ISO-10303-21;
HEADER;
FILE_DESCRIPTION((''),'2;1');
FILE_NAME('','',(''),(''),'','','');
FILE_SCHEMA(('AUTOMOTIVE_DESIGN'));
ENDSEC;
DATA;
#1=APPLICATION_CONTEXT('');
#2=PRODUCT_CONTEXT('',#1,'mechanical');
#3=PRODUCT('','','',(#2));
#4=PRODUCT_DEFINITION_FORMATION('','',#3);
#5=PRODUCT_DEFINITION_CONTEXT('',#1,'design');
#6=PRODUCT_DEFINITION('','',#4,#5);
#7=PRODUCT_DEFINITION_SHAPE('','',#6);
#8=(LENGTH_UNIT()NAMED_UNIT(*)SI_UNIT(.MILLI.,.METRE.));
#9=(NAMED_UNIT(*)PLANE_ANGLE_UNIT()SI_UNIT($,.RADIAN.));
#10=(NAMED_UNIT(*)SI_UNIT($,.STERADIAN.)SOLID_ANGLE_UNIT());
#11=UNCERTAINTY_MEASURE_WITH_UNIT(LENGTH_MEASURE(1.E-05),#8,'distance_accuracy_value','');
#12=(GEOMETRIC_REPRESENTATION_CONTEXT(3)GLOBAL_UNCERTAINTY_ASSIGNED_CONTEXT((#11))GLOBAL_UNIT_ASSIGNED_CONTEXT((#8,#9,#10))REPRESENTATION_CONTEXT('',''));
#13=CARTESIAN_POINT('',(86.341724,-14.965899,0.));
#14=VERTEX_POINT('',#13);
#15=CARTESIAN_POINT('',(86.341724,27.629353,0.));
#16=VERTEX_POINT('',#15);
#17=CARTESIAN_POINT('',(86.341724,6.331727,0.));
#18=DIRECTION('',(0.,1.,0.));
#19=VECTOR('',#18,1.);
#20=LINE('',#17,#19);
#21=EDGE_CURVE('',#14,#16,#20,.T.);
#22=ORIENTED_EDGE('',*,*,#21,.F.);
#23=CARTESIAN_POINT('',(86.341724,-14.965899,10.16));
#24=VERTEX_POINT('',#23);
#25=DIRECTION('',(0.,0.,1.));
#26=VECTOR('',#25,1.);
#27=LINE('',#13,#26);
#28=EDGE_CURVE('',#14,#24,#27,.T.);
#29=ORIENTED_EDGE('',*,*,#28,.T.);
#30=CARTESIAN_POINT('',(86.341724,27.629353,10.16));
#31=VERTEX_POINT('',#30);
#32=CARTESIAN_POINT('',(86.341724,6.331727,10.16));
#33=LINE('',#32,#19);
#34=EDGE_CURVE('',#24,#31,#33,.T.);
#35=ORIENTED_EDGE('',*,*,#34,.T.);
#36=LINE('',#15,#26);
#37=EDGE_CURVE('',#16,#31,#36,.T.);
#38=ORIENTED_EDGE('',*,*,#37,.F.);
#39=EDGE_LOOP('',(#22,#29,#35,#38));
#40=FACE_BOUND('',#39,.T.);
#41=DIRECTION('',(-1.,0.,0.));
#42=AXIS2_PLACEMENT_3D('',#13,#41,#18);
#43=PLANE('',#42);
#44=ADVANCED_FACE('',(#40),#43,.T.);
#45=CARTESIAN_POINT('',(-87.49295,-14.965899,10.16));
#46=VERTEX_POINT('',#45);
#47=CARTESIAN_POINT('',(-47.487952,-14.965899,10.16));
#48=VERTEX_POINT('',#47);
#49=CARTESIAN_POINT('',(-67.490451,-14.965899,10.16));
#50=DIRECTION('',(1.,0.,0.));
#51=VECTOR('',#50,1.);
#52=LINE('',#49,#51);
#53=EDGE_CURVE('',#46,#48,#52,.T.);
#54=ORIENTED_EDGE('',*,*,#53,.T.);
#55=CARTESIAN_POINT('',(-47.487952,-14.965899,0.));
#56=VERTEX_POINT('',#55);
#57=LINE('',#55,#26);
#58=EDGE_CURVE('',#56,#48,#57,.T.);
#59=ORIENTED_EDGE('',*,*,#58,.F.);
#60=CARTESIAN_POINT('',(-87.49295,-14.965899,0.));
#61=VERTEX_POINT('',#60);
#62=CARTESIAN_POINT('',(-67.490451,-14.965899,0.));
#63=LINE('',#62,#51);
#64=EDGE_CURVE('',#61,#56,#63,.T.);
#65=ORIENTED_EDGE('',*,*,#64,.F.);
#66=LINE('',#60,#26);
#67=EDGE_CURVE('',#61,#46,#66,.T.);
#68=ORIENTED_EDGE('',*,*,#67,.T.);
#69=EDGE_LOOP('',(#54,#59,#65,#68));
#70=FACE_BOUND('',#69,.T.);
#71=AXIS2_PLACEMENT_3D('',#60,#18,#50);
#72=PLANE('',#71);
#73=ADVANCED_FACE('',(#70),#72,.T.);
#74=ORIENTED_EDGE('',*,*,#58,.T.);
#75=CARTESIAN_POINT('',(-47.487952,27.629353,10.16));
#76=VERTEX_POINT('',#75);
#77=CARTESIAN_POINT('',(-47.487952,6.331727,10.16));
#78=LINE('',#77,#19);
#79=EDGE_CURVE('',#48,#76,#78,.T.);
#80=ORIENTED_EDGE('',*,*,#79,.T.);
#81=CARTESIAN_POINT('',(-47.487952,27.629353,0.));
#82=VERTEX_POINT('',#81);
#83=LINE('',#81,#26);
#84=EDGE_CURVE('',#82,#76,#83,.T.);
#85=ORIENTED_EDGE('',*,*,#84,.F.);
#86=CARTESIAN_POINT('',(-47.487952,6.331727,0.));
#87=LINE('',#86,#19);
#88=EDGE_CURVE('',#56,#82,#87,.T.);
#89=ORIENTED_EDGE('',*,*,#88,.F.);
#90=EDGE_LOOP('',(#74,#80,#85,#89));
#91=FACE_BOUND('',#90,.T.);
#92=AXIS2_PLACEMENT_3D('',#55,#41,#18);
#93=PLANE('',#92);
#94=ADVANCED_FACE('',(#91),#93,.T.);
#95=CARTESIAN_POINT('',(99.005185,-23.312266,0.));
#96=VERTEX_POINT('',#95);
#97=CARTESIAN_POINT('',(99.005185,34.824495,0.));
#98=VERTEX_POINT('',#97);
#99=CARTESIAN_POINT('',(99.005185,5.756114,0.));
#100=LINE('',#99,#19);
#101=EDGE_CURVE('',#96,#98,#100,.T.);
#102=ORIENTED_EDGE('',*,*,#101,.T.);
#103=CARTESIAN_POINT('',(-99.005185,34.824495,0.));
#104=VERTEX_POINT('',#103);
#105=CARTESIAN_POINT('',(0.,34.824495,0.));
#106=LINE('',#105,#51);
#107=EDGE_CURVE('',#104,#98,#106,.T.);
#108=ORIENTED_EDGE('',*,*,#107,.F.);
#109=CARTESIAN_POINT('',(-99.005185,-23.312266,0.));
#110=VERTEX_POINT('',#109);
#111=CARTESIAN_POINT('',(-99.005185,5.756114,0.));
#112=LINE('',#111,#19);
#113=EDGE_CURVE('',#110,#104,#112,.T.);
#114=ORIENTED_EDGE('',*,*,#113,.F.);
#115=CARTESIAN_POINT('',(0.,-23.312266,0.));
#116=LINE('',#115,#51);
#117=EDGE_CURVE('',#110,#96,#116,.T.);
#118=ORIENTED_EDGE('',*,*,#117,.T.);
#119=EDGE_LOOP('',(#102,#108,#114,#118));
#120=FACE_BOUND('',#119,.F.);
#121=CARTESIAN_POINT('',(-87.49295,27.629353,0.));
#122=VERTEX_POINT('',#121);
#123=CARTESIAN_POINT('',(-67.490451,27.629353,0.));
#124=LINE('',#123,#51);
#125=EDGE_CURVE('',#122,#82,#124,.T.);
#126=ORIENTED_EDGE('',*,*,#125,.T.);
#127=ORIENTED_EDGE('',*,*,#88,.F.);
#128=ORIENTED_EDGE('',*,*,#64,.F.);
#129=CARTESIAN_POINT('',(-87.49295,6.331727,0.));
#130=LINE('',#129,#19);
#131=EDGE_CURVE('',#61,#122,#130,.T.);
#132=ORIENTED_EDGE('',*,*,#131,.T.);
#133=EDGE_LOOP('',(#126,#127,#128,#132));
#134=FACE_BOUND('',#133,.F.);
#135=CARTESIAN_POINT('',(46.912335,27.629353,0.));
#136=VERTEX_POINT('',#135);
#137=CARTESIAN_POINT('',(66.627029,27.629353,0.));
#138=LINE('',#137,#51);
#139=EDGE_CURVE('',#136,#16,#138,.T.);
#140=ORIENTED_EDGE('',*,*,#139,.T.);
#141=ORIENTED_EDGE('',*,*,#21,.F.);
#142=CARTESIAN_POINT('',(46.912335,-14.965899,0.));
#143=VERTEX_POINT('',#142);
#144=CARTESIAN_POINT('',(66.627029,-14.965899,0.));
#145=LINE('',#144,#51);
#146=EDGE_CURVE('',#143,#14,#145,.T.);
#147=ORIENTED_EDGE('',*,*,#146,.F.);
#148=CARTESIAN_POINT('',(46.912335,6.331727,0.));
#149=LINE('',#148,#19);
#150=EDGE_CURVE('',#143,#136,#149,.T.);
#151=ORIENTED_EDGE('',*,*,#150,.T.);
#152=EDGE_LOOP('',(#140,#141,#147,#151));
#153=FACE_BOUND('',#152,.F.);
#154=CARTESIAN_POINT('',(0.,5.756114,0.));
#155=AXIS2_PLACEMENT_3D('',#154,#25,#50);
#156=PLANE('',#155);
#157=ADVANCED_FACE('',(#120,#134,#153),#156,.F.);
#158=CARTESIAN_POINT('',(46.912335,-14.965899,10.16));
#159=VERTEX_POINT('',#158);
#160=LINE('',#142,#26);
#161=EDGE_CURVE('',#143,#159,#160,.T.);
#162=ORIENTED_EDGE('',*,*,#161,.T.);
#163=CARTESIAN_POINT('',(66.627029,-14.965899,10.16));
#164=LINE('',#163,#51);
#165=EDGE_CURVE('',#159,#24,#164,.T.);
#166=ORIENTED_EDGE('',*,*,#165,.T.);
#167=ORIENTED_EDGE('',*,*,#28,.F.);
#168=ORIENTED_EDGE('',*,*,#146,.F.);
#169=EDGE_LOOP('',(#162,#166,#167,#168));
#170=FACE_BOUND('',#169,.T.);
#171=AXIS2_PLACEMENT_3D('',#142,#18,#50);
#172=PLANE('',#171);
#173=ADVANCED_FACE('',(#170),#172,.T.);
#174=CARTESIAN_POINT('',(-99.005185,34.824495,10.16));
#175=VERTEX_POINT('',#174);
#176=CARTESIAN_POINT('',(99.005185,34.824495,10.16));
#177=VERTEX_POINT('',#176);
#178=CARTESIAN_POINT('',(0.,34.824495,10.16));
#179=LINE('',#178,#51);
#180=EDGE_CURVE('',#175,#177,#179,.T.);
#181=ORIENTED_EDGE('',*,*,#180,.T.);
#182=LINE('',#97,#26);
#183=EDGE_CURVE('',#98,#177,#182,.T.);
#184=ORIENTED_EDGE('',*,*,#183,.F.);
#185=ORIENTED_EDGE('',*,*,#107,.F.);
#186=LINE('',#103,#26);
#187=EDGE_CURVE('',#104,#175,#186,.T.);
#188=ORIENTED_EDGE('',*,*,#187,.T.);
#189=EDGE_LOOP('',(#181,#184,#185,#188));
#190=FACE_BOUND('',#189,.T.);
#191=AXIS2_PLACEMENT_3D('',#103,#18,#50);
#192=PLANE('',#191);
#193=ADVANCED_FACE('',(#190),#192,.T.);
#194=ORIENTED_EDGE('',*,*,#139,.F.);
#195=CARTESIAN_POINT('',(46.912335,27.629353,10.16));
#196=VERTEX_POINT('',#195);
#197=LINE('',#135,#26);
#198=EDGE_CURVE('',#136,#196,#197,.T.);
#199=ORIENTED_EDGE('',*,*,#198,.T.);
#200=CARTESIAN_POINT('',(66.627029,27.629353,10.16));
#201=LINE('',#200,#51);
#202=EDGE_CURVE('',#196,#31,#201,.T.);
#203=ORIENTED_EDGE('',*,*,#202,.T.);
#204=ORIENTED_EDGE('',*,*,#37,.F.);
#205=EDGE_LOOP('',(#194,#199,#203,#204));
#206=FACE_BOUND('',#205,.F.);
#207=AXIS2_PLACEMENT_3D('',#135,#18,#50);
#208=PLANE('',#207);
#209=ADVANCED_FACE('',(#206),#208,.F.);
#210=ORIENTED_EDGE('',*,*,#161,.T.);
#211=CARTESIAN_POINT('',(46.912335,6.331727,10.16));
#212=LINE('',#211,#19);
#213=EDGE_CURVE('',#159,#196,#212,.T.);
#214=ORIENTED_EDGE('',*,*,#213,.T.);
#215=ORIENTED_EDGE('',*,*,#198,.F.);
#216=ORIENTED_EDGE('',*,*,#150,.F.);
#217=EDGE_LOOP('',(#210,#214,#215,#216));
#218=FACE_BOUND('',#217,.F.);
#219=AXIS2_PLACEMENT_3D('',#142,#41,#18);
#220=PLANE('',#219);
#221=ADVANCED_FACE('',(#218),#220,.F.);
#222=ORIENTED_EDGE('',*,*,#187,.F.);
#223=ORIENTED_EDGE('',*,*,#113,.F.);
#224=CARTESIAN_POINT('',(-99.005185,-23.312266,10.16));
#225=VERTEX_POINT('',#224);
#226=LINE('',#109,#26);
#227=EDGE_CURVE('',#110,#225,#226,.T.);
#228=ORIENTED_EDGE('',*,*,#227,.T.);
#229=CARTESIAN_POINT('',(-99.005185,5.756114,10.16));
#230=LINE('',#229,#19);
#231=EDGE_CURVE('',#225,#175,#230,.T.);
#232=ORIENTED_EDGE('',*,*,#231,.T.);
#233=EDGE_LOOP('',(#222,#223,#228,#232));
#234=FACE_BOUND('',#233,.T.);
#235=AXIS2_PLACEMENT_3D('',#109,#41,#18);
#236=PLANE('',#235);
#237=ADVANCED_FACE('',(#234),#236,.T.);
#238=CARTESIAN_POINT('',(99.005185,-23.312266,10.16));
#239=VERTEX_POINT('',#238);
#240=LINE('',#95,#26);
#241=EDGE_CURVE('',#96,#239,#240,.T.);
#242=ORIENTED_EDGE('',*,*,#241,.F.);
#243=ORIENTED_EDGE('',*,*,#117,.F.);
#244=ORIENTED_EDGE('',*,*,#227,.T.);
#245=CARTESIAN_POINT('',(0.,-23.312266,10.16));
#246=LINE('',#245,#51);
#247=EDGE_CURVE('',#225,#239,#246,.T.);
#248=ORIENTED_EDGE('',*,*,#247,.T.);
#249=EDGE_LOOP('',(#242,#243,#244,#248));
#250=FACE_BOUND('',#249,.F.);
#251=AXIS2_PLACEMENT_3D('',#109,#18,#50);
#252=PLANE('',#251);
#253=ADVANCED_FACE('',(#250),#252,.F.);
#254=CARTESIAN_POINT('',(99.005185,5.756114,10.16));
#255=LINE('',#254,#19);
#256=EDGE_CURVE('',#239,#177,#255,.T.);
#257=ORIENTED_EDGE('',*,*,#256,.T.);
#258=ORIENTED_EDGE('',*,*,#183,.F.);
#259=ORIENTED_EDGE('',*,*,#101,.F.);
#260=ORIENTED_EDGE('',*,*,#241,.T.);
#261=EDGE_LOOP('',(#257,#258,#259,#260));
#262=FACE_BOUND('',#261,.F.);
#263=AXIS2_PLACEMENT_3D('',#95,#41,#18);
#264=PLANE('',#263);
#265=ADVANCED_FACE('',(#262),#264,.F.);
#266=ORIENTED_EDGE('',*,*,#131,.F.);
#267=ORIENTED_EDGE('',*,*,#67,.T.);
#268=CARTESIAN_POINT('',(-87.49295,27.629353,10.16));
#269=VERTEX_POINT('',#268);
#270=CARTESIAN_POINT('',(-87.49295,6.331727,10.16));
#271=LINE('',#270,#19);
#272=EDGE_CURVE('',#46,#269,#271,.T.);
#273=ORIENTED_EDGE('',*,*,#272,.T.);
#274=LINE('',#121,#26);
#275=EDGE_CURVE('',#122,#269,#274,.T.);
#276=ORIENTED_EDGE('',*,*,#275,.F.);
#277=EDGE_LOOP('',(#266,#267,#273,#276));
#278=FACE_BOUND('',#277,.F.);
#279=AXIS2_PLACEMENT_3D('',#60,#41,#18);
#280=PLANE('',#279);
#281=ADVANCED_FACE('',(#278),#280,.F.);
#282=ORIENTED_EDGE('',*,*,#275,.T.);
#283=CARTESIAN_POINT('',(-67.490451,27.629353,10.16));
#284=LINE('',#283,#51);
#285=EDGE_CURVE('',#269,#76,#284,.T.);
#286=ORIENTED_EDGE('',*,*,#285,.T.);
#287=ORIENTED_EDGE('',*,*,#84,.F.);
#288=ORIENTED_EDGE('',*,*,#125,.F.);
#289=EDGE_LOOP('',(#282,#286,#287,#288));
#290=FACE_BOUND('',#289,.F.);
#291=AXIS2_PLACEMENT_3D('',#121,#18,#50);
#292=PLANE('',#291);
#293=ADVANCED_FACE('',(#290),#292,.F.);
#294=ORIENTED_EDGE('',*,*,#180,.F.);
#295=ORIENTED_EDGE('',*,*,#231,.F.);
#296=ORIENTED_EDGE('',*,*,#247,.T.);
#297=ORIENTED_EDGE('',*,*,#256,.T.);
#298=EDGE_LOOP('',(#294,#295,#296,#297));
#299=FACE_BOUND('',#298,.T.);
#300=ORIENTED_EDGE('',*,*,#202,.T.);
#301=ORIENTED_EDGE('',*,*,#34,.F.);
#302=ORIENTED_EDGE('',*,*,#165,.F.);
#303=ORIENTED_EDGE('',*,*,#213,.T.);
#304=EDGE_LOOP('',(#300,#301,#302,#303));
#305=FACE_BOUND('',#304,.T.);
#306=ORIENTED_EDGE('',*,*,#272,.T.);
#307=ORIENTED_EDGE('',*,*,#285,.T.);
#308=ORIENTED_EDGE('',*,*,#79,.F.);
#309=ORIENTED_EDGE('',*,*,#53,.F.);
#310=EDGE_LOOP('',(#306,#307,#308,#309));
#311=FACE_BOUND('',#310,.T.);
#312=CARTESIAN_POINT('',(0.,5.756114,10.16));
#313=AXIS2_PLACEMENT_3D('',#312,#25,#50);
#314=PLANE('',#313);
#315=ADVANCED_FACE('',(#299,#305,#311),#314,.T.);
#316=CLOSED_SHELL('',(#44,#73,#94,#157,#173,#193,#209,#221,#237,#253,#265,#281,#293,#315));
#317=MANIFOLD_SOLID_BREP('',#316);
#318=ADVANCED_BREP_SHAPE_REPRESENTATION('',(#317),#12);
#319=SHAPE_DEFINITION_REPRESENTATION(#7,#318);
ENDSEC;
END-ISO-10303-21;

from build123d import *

# Parameters (mm, degrees)
F0_W     = 198.01037
F0_H     = 58.136761
F0_W_2   = 40.004998
F0_H_2   = 42.595252
F0_W_3   = 39.429389
F1_DEPTH = 10.16


with BuildPart() as f1:
    # F0 (on Top) → F1 (new body)
    with BuildSketch(Plane.XY):
        with Locations((0, 5.756114)):
            Rectangle(F0_W, F0_H)
        with Locations((-67.490451, 6.331727)):
            Rectangle(F0_W_2, F0_H_2, mode=Mode.SUBTRACT)
        with Locations((66.627029, 6.331727)):
            Rectangle(F0_W_3, F0_H_2, mode=Mode.SUBTRACT)
    extrude(amount=F1_DEPTH)


solid = f1.part
